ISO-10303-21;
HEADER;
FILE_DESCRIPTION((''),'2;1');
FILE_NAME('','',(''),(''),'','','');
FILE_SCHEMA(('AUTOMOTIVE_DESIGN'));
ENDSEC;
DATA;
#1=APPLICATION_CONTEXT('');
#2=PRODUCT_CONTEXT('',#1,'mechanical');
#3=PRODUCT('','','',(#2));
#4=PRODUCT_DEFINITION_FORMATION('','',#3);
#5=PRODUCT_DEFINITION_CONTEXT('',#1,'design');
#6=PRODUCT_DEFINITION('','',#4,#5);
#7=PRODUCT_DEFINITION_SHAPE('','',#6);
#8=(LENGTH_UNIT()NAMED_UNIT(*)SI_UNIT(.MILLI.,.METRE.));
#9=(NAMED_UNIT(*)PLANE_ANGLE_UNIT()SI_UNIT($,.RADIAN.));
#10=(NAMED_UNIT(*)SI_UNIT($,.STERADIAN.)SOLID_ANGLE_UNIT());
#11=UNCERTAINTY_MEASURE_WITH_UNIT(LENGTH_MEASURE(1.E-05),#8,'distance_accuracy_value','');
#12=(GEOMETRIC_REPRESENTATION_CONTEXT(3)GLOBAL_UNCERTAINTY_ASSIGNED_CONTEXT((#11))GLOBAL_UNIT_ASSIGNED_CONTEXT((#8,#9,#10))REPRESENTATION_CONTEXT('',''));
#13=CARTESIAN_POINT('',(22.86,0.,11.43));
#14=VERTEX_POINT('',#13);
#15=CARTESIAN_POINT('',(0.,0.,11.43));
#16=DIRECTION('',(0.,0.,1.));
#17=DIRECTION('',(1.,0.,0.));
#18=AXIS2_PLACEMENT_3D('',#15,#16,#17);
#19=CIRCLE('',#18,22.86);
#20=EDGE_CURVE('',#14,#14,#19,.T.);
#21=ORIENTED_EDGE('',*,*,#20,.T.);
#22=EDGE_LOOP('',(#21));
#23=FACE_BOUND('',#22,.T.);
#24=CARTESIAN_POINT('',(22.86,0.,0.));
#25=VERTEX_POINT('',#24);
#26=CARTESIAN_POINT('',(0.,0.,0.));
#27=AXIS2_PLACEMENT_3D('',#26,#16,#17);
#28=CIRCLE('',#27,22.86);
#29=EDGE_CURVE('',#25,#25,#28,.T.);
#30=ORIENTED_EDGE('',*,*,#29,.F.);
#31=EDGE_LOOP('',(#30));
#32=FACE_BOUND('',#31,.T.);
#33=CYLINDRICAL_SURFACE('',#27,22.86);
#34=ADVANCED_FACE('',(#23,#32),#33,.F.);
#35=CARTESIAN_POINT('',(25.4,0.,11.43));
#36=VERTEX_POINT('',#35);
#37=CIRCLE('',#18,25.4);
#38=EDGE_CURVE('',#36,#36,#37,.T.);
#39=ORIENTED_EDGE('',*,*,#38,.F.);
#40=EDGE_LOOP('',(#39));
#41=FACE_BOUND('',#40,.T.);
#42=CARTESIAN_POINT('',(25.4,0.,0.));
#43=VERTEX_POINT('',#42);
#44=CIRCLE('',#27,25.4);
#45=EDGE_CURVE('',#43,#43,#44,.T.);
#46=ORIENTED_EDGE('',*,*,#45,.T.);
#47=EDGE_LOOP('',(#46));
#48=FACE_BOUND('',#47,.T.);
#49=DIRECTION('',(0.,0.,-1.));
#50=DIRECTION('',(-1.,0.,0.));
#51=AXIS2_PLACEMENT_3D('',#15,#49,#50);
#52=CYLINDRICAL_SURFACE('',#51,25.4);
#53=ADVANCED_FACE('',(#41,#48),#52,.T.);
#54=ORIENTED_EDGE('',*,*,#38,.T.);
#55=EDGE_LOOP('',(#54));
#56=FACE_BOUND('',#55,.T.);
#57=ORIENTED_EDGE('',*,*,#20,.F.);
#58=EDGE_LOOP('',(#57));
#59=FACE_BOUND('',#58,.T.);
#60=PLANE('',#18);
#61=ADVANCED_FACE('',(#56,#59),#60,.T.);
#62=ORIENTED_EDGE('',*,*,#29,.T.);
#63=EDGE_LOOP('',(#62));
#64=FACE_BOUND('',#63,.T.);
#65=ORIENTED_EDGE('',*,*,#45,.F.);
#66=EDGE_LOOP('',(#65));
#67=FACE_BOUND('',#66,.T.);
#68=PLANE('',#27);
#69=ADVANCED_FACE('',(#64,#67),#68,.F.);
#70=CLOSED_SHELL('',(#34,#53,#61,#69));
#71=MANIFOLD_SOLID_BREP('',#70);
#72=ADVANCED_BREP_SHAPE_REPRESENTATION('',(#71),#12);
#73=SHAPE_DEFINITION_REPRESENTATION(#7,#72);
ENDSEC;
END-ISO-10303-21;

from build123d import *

# Parameters (mm, degrees)
SKETCH1_R           = 25.4
BOSS_EXTRUDE1_DEPTH = 11.43
SKETCH2_R           = 22.86
CUT_EXTRUDE1_DEPTH  = 38.695688082


with BuildPart() as part:
    # Sketch1 → Boss-Extrude1 (new body)
    with BuildSketch(Plane.XY):
        Circle(SKETCH1_R)
    extrude(amount=BOSS_EXTRUDE1_DEPTH)

    # Sketch2 → Cut-Extrude1 (cut, through all)
    with BuildSketch(Plane.XY.offset(11.43)):
        Circle(SKETCH2_R)
    extrude(amount=-CUT_EXTRUDE1_DEPTH, mode=Mode.SUBTRACT)


solid = part.part
